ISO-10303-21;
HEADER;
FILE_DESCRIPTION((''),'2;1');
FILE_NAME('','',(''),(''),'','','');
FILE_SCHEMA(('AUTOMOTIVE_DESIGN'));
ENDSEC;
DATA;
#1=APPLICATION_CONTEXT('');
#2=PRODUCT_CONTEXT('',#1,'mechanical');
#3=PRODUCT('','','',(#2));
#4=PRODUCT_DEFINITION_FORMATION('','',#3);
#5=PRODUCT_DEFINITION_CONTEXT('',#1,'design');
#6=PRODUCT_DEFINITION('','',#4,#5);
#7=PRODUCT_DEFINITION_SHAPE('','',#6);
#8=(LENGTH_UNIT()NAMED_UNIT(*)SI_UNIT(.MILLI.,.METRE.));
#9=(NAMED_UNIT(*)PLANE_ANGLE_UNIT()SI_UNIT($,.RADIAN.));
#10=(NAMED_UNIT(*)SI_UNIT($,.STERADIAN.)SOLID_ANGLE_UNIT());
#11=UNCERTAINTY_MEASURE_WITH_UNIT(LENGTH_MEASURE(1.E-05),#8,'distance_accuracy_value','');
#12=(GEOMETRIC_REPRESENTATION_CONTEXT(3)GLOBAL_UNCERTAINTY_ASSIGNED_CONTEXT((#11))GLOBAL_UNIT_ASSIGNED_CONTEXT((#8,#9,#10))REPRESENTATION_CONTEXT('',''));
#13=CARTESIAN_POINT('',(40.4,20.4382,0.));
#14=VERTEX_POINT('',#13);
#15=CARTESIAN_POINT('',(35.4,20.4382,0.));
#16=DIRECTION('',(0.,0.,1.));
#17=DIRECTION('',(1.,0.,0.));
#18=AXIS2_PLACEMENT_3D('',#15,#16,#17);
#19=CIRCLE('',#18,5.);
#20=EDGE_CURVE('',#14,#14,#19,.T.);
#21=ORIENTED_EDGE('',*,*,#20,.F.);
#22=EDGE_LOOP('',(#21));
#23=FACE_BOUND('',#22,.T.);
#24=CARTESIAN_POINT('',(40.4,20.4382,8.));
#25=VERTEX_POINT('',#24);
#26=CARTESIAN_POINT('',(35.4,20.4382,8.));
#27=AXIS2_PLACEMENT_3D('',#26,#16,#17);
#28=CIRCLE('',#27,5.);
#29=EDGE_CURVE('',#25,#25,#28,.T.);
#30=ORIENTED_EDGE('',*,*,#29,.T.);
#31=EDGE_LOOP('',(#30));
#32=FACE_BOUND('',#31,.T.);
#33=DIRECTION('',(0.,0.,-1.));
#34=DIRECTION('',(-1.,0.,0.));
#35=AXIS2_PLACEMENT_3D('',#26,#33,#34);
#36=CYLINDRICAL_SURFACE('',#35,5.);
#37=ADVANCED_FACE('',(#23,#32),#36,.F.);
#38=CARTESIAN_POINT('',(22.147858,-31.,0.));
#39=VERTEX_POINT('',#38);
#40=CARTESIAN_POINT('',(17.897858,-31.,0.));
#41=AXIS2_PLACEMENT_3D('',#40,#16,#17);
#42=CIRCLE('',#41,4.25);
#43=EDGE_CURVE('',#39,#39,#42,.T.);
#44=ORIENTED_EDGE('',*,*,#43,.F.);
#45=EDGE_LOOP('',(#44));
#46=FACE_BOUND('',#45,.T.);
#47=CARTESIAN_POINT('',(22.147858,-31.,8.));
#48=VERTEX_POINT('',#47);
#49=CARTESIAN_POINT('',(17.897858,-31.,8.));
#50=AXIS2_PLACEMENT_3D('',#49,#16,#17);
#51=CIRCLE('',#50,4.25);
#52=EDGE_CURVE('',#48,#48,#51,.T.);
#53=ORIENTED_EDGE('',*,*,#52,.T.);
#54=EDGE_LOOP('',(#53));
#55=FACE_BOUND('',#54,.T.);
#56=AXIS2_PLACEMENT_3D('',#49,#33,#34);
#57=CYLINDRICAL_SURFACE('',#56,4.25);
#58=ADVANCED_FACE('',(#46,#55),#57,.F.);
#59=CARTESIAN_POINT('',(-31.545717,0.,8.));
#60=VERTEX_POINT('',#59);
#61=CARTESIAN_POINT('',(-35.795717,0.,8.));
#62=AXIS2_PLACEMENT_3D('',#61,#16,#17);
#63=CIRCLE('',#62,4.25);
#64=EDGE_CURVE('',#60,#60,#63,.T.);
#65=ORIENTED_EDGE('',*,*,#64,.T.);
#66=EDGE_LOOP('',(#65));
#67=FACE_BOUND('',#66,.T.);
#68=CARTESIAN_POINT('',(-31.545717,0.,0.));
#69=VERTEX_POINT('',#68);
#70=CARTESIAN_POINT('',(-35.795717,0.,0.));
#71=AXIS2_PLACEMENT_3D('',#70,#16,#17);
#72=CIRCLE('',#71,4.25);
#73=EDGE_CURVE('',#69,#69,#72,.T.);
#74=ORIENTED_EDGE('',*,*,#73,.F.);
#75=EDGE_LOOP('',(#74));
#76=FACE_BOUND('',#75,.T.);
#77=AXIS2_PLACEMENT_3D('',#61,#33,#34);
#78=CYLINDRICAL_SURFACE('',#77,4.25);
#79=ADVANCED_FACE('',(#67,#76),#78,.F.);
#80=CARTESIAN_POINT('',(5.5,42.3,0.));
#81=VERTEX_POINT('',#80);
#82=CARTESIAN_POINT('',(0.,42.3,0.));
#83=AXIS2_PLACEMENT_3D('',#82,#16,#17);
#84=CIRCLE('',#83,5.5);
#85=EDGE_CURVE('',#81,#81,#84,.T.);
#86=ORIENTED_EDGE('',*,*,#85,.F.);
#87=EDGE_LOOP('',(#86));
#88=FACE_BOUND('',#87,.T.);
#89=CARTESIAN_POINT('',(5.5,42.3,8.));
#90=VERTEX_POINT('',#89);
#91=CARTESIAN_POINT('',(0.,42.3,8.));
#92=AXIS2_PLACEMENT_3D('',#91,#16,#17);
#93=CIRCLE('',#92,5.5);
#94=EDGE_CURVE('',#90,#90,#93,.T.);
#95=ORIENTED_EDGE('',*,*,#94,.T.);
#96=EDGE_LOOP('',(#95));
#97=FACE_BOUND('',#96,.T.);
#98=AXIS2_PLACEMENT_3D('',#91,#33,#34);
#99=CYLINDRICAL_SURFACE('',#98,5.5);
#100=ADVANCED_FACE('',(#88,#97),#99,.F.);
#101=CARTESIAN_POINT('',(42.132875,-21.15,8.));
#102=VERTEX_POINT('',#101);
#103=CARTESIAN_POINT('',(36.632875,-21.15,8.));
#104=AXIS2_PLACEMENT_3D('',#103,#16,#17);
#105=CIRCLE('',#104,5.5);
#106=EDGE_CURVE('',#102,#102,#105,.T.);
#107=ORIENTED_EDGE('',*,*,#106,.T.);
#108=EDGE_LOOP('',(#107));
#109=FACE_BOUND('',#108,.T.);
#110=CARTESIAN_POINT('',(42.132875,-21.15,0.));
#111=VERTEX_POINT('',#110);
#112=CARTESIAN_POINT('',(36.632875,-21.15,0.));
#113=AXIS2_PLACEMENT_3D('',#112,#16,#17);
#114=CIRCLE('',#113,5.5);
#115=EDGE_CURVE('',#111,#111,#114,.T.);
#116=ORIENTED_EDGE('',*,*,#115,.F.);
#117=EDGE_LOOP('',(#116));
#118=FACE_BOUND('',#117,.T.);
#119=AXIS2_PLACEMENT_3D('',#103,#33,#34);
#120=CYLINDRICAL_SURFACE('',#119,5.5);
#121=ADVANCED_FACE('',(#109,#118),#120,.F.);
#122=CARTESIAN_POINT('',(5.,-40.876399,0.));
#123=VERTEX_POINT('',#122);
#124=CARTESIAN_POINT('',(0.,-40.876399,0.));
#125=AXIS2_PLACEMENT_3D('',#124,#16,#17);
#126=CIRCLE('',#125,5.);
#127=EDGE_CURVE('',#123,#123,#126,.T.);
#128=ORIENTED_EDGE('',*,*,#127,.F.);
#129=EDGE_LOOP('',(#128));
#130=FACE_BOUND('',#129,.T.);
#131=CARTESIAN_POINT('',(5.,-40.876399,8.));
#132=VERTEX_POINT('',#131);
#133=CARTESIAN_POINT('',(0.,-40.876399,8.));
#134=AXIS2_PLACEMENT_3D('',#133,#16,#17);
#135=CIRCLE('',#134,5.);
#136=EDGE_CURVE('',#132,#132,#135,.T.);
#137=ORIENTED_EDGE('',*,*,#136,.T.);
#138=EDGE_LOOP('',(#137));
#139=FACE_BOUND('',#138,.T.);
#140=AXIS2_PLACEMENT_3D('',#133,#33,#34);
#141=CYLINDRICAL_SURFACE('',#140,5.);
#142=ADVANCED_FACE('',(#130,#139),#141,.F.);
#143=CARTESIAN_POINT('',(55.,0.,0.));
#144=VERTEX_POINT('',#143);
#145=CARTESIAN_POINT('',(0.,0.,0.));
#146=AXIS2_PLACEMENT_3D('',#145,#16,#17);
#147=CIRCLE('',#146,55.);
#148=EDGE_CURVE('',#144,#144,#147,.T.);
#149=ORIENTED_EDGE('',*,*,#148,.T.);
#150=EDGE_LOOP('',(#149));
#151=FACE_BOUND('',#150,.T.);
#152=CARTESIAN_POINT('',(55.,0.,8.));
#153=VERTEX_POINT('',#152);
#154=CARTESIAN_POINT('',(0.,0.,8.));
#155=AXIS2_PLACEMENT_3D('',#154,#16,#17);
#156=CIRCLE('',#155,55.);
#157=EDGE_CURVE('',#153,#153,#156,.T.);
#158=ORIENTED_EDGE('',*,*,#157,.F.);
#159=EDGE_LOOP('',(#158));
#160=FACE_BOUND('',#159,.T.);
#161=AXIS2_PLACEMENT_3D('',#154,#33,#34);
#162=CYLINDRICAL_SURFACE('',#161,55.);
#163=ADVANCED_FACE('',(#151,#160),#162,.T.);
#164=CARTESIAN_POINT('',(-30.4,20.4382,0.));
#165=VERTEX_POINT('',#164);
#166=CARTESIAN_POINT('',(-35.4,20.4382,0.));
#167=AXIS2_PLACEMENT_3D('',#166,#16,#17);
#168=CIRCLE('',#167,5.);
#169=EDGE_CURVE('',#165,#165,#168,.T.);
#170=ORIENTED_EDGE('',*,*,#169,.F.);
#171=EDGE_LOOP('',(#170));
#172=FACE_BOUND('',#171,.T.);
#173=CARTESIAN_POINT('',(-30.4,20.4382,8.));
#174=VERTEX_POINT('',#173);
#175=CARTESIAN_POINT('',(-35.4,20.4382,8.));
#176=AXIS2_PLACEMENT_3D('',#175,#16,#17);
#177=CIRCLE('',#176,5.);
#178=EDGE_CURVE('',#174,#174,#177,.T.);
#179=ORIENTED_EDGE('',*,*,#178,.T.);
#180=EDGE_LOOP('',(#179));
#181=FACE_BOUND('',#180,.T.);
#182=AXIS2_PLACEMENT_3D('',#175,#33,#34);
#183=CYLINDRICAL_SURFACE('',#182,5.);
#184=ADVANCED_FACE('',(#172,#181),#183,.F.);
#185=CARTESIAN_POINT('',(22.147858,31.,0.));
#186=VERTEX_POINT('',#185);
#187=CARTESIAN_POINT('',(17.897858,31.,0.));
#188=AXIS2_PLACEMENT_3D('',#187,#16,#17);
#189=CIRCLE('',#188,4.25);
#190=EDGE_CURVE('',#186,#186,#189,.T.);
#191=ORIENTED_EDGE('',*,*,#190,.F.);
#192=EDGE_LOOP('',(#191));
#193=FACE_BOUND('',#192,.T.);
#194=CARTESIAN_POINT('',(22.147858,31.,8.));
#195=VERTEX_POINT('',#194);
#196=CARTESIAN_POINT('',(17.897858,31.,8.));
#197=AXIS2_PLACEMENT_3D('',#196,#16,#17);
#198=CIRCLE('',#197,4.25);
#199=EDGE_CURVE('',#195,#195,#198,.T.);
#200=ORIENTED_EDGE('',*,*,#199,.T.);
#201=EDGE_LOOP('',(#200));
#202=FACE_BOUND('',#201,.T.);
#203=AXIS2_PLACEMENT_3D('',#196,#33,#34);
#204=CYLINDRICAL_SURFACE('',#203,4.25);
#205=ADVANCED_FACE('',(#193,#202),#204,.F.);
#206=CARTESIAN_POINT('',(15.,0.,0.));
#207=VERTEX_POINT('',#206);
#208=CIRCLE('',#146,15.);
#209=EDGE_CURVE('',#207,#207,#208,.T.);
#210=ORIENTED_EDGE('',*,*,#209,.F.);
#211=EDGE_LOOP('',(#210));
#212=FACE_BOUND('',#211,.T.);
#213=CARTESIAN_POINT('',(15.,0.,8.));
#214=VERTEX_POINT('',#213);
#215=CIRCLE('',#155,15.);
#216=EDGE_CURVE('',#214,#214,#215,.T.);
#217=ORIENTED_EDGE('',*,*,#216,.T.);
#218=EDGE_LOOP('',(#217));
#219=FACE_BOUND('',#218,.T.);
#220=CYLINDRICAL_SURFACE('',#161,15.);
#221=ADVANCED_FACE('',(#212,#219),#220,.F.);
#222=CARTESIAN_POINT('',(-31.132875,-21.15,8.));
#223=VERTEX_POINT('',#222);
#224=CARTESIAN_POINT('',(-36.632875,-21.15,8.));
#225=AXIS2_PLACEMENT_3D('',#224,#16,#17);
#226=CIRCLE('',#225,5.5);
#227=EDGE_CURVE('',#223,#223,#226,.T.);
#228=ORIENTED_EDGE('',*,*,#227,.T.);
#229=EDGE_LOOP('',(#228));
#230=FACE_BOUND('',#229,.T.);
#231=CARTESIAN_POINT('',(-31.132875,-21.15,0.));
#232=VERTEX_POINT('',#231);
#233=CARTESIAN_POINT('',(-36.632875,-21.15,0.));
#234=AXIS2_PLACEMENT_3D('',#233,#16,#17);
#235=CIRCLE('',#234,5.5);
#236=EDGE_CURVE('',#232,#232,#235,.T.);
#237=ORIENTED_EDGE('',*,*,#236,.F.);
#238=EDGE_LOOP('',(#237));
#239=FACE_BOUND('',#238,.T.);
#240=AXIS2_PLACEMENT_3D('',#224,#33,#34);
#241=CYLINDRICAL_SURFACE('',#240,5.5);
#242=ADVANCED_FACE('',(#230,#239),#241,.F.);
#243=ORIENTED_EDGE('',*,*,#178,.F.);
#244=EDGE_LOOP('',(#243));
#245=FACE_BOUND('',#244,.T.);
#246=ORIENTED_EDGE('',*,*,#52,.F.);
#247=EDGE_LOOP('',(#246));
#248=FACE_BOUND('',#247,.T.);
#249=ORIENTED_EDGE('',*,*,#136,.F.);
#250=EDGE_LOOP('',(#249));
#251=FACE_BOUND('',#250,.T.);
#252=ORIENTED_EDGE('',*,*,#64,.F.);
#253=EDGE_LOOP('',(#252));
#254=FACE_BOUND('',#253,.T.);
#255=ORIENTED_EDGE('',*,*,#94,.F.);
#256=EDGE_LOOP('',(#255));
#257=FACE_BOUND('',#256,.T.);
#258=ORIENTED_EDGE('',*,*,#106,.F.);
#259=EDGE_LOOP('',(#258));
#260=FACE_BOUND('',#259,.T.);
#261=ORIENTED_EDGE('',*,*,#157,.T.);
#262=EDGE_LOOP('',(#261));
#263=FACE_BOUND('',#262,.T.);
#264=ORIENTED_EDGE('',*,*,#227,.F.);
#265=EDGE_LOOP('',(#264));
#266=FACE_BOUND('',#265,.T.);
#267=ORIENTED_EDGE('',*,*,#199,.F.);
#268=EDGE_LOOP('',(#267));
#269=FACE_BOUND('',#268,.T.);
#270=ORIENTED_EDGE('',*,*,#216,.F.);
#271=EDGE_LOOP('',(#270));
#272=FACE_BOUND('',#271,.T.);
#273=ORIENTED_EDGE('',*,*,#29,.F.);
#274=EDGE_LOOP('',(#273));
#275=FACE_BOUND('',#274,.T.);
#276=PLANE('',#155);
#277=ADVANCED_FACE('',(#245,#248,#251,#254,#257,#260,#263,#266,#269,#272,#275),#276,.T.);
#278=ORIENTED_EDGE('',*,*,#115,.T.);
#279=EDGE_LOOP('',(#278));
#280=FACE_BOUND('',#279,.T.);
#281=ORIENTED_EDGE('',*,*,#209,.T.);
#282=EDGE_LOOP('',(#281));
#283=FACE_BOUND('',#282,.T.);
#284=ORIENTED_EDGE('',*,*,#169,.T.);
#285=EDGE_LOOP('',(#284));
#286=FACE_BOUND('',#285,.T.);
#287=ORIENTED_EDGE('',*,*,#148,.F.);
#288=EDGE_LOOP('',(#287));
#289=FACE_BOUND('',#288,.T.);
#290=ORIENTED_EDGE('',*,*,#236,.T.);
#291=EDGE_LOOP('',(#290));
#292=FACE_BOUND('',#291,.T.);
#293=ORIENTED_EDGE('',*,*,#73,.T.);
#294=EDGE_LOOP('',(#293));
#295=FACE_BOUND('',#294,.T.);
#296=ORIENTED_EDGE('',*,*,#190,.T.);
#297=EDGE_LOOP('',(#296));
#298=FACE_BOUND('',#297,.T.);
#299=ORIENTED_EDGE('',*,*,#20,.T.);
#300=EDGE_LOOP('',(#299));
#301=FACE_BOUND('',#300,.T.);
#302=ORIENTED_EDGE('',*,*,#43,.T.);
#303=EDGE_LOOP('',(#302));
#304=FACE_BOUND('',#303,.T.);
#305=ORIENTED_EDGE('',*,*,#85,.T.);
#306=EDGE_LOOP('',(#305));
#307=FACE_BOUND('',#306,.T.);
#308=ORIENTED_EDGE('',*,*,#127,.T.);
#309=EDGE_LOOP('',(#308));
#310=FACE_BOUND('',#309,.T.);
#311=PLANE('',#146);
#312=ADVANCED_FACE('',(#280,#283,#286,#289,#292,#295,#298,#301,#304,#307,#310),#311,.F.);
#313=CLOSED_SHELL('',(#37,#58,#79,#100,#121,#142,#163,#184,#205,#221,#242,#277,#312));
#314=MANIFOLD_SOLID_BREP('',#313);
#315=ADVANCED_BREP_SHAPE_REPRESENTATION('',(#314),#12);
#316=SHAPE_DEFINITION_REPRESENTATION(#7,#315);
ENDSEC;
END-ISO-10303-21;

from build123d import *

# Parameters (mm, degrees)
ESQUISSE1_R        = 55
ESQUISSE1_R_2      = 15
ESQUISSE1_R_3      = 5.5
ESQUISSE1_R_4      = 4.25
ESQUISSE1_R_5      = 5
BOSS_EXTRU_1_DEPTH = 8


with BuildPart() as part:
    # Esquisse1 → Boss.-Extru.1 (new body)
    with BuildSketch(Plane.XY):
        Circle(ESQUISSE1_R)
        Circle(ESQUISSE1_R_2, mode=Mode.SUBTRACT)
        with Locations((0, 42.3)):
            Circle(ESQUISSE1_R_3, mode=Mode.SUBTRACT)
        with Locations((17.897858345, 31)):
            Circle(ESQUISSE1_R_4, mode=Mode.SUBTRACT)
        with Locations((35.4, 20.438199529)):
            Circle(ESQUISSE1_R_5, mode=Mode.SUBTRACT)
        with Locations((36.63287458, -21.15)):
            Circle(ESQUISSE1_R_3, mode=Mode.SUBTRACT)
        with Locations((17.897858345, -31)):
            Circle(ESQUISSE1_R_4, mode=Mode.SUBTRACT)
        with Locations((0, -40.876399059)):
            Circle(ESQUISSE1_R_5, mode=Mode.SUBTRACT)
        with Locations((-36.63287458, -21.15)):
            Circle(ESQUISSE1_R_3, mode=Mode.SUBTRACT)
        with Locations((-35.79571669, 0)):
            Circle(ESQUISSE1_R_4, mode=Mode.SUBTRACT)
        with Locations((-35.4, 20.438199529)):
            Circle(ESQUISSE1_R_5, mode=Mode.SUBTRACT)
    extrude(amount=BOSS_EXTRU_1_DEPTH)


solid = part.part
